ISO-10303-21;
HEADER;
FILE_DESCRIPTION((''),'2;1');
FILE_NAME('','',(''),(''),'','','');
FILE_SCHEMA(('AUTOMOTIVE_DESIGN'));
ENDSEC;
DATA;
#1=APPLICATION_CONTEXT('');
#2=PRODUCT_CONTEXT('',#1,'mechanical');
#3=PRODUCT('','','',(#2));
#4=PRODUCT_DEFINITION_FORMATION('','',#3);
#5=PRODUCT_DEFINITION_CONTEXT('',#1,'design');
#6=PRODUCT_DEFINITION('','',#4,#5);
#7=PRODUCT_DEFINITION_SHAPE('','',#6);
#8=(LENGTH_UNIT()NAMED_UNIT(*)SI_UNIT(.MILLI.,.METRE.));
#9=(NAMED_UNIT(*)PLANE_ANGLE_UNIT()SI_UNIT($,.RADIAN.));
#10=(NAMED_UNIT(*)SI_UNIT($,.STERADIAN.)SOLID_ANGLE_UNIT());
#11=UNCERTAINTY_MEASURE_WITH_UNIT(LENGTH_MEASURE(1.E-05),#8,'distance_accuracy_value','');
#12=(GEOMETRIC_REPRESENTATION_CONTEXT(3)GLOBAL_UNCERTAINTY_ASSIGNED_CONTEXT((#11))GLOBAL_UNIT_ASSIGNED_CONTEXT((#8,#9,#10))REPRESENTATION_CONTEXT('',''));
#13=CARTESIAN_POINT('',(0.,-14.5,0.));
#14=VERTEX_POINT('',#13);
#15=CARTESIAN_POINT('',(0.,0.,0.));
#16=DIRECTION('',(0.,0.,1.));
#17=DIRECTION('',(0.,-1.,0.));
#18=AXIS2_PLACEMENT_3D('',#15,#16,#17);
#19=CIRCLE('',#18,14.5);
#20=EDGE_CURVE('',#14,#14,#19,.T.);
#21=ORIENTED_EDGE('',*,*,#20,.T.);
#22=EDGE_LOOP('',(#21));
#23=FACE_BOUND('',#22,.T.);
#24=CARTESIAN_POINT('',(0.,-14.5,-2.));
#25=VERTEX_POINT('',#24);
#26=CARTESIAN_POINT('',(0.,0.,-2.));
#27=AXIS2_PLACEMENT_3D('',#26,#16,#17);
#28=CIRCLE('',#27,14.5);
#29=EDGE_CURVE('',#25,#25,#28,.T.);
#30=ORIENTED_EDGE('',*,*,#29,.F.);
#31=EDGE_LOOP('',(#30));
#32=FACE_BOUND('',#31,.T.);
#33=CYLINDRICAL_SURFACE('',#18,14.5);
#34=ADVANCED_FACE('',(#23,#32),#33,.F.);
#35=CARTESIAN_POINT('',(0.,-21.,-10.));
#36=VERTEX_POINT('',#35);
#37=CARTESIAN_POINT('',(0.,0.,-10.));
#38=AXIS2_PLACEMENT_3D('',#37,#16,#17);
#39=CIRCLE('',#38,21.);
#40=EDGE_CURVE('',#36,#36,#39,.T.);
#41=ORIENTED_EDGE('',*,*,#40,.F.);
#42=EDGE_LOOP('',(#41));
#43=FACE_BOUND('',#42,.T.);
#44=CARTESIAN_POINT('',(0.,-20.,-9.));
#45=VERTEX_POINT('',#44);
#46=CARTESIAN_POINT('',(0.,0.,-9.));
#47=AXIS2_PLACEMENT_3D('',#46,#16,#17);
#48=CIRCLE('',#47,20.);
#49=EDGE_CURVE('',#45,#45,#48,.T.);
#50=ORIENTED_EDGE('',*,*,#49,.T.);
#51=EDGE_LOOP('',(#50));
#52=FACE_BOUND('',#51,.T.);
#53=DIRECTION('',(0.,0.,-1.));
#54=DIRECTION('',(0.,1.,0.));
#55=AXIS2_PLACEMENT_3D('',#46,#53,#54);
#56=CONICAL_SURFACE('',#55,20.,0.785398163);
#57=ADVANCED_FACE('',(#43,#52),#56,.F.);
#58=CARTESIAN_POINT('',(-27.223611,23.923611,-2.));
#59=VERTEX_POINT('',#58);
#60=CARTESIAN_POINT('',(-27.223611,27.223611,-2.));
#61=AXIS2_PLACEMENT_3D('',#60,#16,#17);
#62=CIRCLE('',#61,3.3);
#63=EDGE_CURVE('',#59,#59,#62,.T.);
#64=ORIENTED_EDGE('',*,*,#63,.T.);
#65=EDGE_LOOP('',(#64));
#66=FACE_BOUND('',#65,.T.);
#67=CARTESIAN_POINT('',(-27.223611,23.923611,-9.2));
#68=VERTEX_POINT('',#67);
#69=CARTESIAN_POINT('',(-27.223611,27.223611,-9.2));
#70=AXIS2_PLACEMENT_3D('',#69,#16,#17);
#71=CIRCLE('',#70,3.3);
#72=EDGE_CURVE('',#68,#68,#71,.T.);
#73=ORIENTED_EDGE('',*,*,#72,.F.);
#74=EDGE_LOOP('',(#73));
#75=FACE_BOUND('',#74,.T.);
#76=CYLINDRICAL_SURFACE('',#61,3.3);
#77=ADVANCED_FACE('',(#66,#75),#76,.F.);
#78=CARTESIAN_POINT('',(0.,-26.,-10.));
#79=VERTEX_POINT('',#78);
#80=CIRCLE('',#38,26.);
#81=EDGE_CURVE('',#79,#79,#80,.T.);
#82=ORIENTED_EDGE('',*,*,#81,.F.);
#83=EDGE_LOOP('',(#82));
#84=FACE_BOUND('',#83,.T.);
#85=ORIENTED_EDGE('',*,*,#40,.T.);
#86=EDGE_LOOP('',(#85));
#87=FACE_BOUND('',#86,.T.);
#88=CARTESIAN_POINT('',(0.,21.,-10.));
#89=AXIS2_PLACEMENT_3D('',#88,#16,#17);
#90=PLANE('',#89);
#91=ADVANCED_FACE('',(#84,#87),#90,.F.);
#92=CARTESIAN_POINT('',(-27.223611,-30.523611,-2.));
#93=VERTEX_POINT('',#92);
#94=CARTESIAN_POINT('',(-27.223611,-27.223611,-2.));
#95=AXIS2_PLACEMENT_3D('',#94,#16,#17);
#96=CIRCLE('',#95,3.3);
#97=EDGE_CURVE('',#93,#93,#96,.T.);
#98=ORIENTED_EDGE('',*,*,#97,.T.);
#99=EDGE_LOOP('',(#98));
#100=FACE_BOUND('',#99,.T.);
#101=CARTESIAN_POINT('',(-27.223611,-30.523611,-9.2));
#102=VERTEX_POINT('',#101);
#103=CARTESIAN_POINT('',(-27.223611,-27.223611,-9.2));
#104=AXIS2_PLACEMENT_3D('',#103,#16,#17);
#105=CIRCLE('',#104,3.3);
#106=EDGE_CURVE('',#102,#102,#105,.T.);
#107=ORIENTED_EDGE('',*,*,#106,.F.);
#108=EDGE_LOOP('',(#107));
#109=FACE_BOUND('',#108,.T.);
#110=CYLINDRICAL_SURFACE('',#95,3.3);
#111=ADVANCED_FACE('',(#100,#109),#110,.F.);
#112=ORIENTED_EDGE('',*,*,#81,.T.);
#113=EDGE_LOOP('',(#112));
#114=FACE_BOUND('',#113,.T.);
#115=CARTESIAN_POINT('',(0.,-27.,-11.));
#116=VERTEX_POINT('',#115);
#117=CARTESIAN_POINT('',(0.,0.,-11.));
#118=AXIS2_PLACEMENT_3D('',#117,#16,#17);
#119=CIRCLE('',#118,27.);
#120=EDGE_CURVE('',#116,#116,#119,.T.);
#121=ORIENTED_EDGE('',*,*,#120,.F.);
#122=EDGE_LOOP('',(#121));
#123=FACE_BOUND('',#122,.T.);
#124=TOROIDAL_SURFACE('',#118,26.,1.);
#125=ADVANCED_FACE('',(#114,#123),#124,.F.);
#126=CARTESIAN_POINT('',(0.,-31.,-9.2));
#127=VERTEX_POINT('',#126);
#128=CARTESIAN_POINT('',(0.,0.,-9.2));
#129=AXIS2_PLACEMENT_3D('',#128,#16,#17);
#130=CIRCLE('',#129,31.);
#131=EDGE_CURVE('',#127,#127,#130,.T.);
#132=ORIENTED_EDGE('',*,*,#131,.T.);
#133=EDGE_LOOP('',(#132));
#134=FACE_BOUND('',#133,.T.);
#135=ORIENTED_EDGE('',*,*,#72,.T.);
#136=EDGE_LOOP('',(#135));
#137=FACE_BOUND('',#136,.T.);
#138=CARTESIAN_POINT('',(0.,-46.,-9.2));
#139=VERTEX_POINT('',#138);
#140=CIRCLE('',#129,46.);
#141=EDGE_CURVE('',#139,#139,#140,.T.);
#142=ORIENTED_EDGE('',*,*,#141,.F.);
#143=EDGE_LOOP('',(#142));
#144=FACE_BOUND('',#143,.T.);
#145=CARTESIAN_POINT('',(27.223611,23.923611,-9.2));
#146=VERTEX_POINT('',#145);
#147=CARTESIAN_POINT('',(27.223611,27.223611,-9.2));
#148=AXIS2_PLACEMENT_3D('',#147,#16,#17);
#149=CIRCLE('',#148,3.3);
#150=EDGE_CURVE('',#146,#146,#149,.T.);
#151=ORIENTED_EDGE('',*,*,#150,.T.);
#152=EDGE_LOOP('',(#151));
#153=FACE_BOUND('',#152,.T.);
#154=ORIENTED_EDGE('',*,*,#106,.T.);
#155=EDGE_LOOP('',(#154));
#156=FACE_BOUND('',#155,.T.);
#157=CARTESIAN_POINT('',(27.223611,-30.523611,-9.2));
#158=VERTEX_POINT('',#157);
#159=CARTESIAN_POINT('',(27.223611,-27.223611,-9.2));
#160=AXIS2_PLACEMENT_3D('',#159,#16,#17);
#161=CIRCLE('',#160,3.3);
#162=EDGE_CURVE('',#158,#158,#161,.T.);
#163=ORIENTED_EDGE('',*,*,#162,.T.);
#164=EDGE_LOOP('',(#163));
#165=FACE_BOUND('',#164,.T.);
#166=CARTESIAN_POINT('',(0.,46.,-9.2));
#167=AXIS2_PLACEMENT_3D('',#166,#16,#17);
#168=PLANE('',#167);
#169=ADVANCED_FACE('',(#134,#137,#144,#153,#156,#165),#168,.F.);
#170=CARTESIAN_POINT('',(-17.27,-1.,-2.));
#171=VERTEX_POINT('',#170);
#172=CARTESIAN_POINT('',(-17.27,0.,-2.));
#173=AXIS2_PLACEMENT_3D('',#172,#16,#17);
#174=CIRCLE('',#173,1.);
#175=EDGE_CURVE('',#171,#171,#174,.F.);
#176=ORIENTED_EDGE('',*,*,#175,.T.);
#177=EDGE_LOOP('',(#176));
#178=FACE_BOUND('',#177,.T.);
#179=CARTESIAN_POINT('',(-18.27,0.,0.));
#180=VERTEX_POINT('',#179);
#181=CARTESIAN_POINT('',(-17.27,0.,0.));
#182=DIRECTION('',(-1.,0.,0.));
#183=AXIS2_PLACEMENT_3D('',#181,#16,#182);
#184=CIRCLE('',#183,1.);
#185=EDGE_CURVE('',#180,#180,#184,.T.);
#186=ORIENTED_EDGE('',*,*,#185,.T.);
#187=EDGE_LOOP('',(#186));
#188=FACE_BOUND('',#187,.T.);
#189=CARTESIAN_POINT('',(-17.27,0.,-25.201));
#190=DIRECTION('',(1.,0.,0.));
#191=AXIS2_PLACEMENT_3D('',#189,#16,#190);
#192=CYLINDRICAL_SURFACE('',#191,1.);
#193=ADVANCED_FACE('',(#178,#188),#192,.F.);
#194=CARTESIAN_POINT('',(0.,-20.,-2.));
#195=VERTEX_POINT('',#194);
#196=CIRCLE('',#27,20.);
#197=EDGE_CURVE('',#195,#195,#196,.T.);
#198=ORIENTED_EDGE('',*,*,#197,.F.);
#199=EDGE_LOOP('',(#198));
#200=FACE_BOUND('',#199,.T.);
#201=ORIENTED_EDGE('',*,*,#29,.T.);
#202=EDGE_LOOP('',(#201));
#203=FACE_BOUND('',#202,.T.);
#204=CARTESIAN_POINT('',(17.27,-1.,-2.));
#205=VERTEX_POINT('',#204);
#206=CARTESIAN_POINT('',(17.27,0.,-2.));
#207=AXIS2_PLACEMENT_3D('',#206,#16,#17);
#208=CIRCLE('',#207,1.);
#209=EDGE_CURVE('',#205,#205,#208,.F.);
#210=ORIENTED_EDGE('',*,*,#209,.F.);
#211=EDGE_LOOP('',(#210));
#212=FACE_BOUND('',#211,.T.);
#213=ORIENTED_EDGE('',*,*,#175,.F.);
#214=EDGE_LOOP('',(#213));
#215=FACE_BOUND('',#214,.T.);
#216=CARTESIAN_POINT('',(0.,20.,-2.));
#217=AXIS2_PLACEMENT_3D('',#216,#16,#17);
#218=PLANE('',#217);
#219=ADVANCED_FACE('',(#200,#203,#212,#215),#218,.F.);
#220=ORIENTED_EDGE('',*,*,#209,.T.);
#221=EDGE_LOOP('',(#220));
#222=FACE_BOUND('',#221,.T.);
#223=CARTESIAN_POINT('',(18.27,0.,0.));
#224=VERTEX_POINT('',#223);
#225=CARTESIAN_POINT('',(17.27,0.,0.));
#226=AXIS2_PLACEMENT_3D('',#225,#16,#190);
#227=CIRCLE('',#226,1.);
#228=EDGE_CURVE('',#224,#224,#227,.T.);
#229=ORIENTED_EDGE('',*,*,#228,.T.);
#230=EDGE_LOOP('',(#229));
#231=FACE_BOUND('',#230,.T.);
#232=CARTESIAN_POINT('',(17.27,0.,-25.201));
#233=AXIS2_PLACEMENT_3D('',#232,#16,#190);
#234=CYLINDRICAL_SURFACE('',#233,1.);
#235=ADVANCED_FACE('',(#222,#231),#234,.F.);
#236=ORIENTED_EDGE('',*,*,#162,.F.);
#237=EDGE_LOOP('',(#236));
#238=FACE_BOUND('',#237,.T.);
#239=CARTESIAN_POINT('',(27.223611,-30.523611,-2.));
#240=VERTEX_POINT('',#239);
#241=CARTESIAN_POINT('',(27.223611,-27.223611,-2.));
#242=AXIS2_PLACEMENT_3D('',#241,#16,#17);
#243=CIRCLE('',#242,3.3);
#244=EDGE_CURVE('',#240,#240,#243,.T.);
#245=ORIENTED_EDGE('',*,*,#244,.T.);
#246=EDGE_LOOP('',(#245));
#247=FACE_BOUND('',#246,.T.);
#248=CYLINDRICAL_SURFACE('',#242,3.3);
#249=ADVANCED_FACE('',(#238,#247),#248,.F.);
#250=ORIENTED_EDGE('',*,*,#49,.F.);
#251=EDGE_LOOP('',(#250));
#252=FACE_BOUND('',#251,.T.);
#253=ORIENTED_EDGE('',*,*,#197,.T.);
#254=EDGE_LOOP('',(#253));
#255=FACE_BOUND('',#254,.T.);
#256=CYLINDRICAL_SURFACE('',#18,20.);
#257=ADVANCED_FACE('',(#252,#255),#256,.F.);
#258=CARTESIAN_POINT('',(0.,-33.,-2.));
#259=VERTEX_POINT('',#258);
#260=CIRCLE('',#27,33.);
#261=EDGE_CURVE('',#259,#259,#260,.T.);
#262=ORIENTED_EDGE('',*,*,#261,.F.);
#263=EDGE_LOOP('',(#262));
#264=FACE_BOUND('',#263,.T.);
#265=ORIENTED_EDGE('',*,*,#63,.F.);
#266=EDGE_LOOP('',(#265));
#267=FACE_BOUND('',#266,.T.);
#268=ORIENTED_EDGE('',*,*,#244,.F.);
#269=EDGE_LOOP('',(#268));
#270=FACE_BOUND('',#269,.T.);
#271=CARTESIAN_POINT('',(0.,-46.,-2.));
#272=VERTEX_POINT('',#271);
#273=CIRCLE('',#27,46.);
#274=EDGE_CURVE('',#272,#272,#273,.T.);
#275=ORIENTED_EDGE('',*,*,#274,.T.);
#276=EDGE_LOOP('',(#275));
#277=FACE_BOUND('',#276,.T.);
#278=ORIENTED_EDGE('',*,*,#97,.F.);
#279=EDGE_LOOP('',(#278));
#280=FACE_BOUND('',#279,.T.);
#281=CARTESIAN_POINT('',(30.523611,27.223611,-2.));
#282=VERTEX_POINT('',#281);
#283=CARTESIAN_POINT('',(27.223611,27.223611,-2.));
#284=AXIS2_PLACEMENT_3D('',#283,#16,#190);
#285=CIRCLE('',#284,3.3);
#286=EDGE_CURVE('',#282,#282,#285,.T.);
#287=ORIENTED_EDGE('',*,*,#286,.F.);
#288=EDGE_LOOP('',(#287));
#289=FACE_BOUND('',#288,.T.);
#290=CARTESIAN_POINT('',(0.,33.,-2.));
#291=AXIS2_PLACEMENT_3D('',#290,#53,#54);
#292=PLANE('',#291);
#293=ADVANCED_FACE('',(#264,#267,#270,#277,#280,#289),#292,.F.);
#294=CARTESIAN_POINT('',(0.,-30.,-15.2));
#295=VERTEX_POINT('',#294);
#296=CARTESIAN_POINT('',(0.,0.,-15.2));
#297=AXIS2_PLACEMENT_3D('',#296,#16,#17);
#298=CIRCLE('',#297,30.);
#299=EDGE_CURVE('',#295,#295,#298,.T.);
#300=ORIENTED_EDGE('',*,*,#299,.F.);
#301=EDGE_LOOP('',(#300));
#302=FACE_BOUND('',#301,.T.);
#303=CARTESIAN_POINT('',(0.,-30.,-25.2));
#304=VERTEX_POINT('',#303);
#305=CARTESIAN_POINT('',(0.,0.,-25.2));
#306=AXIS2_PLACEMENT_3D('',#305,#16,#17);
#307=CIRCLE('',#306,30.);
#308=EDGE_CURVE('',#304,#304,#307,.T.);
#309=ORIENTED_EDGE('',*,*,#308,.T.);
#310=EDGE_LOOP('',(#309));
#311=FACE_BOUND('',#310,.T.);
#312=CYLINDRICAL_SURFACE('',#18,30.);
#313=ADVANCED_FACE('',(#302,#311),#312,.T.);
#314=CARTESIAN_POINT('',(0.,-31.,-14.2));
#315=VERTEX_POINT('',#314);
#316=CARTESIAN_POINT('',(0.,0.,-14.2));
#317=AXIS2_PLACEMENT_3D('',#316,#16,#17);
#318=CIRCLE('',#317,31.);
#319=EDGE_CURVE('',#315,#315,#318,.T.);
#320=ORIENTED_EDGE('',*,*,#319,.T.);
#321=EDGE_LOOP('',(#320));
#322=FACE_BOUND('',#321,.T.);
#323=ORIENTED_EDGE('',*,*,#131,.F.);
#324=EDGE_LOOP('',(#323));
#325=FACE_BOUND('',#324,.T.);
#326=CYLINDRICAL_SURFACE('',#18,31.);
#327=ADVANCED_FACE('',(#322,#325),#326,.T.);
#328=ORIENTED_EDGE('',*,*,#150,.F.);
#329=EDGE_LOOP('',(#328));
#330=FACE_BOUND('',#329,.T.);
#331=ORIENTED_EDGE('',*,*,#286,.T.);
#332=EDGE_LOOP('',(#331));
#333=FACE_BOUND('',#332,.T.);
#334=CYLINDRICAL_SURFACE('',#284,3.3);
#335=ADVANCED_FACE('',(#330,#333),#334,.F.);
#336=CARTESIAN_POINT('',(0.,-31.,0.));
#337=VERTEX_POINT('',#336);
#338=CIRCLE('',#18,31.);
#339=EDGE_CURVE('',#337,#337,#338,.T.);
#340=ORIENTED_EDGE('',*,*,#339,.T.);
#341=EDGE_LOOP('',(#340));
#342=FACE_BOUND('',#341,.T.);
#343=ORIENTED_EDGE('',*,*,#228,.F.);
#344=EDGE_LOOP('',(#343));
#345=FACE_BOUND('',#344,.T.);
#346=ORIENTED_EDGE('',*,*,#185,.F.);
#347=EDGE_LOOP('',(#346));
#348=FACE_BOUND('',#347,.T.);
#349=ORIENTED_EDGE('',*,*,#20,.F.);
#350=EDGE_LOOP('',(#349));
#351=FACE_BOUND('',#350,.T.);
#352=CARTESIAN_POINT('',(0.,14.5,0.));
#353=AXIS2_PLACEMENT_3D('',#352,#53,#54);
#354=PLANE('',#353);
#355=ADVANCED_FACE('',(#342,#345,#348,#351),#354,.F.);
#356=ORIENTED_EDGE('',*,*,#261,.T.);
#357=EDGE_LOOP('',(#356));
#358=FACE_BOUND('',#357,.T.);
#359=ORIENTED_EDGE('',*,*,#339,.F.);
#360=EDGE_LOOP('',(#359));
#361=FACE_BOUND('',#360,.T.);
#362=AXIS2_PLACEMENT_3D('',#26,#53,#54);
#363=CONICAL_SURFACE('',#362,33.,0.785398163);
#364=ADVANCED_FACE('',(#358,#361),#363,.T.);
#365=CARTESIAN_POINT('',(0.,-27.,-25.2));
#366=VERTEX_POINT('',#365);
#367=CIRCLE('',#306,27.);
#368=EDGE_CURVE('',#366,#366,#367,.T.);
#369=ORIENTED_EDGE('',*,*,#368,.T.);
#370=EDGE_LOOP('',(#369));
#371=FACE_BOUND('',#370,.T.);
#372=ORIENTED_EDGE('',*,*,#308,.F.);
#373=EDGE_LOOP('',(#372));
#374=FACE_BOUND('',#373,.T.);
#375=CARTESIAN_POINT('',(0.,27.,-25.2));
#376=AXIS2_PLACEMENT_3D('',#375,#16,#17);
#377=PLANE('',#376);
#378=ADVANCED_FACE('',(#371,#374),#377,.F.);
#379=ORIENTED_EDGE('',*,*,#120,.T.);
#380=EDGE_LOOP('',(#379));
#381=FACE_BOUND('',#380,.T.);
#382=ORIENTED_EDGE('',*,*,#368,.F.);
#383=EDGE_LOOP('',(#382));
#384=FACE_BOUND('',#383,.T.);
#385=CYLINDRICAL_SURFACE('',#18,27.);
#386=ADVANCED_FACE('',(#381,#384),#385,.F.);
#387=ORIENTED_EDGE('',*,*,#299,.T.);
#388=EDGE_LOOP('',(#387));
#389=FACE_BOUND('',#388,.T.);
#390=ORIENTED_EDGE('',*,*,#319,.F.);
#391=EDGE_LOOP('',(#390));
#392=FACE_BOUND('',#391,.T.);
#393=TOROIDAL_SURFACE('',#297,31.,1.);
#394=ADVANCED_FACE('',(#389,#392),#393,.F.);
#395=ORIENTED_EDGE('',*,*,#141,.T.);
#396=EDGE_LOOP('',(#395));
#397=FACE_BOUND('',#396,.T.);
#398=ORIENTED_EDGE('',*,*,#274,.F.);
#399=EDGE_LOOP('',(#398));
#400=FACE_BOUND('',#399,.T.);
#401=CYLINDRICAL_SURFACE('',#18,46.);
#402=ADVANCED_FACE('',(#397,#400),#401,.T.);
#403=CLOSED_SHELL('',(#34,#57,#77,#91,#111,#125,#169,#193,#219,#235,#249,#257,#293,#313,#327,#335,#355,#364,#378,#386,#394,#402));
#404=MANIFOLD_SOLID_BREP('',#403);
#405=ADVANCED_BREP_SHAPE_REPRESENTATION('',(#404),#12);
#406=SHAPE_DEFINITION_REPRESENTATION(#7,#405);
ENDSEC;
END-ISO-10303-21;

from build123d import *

# Parameters (mm, degrees)
M6_CLEARANCE_HOLE1_D = 6.6
CIRPATTERN1_COUNT    = 4
CUT_EXTRUDE1_REACH   = 71.764
SKETCH5_R            = 1


with BuildPart() as part:
    # Sketch1 → Revolve1 (revolve)
    with BuildSketch(Plane(origin=(0, 0, 0), x_dir=(0, 0, -1), z_dir=(1, 0, 0)), mode=Mode.PRIVATE) as revolve1_sk:
        with BuildLine():
            Line((0, 14.5), (0, 31))
            Line((0, 31), (2, 33))
            Line((2, 33), (2, 46))
            Line((2, 46), (9.2, 46))
            Line((9.2, 46), (9.2, 31))
            Line((9.2, 31), (14.2, 31))
            ThreePointArc((14.2, 31), (14.492893219, 30.292893219), (15.2, 30))
            Line((15.2, 30), (25.2, 30))
            Line((25.2, 30), (25.2, 27))
            Line((25.2, 27), (11, 27))
            ThreePointArc((11, 27), (10.292893219, 26.707106781), (10, 26))
            Line((10, 26), (10, 21))
            Line((10, 21), (9, 20))
            Line((9, 20), (2, 20))
            Line((2, 20), (2, 14.5))
            Line((2, 14.5), (0, 14.5))
        make_face()
    revolve(revolve1_sk.sketch.rotate(Axis((0, 0, 0), (0, 0, -1)), 180), axis=Axis((0, 0, 0), (0, 0, -1)))

    # M6 Clearance Hole1 (through all)
    with Locations(Plane.XY.offset(-2)):
        with Locations((27.223611076, 27.223611076)):
            m6_clearance_hole1 = Hole(M6_CLEARANCE_HOLE1_D / 2)

    # CirPattern1: M6 Clearance Hole1 ×4 about axis
    cirpattern1_axis = Axis((0, 0, 0), (0, 0, 1))
    for i in range(1, CIRPATTERN1_COUNT):
        add(m6_clearance_hole1.rotate(cirpattern1_axis, i * 360 / CIRPATTERN1_COUNT), mode=Mode.SUBTRACT)

    # Sketch5 → Cut-Extrude1 (cut, up to next)
    with BuildSketch(Plane.XY, mode=Mode.PRIVATE) as cut_extrude1_sk1:
        with Locations((17.27, 0)):
            Circle(SKETCH5_R)
    cut_extrude1_tool1 = extrude(cut_extrude1_sk1.sketch, amount=-CUT_EXTRUDE1_REACH, mode=Mode.PRIVATE) & part.part
    # Sketch5 → Cut-Extrude1 (cut, up to next)
    with BuildSketch(Plane.XY, mode=Mode.PRIVATE) as cut_extrude1_sk2:
        with Locations(Location((-17.27, 0, 0), (0, 0, 270))):
            Circle(SKETCH5_R)
    cut_extrude1_tool2 = extrude(cut_extrude1_sk2.sketch, amount=-CUT_EXTRUDE1_REACH, mode=Mode.PRIVATE) & part.part
    add(cut_extrude1_tool1.solids().sort_by_distance((17.27, 0, 0))[0], mode=Mode.SUBTRACT)
    add(cut_extrude1_tool2.solids().sort_by_distance((-17.27, 0, 0))[0], mode=Mode.SUBTRACT)


solid = part.part
